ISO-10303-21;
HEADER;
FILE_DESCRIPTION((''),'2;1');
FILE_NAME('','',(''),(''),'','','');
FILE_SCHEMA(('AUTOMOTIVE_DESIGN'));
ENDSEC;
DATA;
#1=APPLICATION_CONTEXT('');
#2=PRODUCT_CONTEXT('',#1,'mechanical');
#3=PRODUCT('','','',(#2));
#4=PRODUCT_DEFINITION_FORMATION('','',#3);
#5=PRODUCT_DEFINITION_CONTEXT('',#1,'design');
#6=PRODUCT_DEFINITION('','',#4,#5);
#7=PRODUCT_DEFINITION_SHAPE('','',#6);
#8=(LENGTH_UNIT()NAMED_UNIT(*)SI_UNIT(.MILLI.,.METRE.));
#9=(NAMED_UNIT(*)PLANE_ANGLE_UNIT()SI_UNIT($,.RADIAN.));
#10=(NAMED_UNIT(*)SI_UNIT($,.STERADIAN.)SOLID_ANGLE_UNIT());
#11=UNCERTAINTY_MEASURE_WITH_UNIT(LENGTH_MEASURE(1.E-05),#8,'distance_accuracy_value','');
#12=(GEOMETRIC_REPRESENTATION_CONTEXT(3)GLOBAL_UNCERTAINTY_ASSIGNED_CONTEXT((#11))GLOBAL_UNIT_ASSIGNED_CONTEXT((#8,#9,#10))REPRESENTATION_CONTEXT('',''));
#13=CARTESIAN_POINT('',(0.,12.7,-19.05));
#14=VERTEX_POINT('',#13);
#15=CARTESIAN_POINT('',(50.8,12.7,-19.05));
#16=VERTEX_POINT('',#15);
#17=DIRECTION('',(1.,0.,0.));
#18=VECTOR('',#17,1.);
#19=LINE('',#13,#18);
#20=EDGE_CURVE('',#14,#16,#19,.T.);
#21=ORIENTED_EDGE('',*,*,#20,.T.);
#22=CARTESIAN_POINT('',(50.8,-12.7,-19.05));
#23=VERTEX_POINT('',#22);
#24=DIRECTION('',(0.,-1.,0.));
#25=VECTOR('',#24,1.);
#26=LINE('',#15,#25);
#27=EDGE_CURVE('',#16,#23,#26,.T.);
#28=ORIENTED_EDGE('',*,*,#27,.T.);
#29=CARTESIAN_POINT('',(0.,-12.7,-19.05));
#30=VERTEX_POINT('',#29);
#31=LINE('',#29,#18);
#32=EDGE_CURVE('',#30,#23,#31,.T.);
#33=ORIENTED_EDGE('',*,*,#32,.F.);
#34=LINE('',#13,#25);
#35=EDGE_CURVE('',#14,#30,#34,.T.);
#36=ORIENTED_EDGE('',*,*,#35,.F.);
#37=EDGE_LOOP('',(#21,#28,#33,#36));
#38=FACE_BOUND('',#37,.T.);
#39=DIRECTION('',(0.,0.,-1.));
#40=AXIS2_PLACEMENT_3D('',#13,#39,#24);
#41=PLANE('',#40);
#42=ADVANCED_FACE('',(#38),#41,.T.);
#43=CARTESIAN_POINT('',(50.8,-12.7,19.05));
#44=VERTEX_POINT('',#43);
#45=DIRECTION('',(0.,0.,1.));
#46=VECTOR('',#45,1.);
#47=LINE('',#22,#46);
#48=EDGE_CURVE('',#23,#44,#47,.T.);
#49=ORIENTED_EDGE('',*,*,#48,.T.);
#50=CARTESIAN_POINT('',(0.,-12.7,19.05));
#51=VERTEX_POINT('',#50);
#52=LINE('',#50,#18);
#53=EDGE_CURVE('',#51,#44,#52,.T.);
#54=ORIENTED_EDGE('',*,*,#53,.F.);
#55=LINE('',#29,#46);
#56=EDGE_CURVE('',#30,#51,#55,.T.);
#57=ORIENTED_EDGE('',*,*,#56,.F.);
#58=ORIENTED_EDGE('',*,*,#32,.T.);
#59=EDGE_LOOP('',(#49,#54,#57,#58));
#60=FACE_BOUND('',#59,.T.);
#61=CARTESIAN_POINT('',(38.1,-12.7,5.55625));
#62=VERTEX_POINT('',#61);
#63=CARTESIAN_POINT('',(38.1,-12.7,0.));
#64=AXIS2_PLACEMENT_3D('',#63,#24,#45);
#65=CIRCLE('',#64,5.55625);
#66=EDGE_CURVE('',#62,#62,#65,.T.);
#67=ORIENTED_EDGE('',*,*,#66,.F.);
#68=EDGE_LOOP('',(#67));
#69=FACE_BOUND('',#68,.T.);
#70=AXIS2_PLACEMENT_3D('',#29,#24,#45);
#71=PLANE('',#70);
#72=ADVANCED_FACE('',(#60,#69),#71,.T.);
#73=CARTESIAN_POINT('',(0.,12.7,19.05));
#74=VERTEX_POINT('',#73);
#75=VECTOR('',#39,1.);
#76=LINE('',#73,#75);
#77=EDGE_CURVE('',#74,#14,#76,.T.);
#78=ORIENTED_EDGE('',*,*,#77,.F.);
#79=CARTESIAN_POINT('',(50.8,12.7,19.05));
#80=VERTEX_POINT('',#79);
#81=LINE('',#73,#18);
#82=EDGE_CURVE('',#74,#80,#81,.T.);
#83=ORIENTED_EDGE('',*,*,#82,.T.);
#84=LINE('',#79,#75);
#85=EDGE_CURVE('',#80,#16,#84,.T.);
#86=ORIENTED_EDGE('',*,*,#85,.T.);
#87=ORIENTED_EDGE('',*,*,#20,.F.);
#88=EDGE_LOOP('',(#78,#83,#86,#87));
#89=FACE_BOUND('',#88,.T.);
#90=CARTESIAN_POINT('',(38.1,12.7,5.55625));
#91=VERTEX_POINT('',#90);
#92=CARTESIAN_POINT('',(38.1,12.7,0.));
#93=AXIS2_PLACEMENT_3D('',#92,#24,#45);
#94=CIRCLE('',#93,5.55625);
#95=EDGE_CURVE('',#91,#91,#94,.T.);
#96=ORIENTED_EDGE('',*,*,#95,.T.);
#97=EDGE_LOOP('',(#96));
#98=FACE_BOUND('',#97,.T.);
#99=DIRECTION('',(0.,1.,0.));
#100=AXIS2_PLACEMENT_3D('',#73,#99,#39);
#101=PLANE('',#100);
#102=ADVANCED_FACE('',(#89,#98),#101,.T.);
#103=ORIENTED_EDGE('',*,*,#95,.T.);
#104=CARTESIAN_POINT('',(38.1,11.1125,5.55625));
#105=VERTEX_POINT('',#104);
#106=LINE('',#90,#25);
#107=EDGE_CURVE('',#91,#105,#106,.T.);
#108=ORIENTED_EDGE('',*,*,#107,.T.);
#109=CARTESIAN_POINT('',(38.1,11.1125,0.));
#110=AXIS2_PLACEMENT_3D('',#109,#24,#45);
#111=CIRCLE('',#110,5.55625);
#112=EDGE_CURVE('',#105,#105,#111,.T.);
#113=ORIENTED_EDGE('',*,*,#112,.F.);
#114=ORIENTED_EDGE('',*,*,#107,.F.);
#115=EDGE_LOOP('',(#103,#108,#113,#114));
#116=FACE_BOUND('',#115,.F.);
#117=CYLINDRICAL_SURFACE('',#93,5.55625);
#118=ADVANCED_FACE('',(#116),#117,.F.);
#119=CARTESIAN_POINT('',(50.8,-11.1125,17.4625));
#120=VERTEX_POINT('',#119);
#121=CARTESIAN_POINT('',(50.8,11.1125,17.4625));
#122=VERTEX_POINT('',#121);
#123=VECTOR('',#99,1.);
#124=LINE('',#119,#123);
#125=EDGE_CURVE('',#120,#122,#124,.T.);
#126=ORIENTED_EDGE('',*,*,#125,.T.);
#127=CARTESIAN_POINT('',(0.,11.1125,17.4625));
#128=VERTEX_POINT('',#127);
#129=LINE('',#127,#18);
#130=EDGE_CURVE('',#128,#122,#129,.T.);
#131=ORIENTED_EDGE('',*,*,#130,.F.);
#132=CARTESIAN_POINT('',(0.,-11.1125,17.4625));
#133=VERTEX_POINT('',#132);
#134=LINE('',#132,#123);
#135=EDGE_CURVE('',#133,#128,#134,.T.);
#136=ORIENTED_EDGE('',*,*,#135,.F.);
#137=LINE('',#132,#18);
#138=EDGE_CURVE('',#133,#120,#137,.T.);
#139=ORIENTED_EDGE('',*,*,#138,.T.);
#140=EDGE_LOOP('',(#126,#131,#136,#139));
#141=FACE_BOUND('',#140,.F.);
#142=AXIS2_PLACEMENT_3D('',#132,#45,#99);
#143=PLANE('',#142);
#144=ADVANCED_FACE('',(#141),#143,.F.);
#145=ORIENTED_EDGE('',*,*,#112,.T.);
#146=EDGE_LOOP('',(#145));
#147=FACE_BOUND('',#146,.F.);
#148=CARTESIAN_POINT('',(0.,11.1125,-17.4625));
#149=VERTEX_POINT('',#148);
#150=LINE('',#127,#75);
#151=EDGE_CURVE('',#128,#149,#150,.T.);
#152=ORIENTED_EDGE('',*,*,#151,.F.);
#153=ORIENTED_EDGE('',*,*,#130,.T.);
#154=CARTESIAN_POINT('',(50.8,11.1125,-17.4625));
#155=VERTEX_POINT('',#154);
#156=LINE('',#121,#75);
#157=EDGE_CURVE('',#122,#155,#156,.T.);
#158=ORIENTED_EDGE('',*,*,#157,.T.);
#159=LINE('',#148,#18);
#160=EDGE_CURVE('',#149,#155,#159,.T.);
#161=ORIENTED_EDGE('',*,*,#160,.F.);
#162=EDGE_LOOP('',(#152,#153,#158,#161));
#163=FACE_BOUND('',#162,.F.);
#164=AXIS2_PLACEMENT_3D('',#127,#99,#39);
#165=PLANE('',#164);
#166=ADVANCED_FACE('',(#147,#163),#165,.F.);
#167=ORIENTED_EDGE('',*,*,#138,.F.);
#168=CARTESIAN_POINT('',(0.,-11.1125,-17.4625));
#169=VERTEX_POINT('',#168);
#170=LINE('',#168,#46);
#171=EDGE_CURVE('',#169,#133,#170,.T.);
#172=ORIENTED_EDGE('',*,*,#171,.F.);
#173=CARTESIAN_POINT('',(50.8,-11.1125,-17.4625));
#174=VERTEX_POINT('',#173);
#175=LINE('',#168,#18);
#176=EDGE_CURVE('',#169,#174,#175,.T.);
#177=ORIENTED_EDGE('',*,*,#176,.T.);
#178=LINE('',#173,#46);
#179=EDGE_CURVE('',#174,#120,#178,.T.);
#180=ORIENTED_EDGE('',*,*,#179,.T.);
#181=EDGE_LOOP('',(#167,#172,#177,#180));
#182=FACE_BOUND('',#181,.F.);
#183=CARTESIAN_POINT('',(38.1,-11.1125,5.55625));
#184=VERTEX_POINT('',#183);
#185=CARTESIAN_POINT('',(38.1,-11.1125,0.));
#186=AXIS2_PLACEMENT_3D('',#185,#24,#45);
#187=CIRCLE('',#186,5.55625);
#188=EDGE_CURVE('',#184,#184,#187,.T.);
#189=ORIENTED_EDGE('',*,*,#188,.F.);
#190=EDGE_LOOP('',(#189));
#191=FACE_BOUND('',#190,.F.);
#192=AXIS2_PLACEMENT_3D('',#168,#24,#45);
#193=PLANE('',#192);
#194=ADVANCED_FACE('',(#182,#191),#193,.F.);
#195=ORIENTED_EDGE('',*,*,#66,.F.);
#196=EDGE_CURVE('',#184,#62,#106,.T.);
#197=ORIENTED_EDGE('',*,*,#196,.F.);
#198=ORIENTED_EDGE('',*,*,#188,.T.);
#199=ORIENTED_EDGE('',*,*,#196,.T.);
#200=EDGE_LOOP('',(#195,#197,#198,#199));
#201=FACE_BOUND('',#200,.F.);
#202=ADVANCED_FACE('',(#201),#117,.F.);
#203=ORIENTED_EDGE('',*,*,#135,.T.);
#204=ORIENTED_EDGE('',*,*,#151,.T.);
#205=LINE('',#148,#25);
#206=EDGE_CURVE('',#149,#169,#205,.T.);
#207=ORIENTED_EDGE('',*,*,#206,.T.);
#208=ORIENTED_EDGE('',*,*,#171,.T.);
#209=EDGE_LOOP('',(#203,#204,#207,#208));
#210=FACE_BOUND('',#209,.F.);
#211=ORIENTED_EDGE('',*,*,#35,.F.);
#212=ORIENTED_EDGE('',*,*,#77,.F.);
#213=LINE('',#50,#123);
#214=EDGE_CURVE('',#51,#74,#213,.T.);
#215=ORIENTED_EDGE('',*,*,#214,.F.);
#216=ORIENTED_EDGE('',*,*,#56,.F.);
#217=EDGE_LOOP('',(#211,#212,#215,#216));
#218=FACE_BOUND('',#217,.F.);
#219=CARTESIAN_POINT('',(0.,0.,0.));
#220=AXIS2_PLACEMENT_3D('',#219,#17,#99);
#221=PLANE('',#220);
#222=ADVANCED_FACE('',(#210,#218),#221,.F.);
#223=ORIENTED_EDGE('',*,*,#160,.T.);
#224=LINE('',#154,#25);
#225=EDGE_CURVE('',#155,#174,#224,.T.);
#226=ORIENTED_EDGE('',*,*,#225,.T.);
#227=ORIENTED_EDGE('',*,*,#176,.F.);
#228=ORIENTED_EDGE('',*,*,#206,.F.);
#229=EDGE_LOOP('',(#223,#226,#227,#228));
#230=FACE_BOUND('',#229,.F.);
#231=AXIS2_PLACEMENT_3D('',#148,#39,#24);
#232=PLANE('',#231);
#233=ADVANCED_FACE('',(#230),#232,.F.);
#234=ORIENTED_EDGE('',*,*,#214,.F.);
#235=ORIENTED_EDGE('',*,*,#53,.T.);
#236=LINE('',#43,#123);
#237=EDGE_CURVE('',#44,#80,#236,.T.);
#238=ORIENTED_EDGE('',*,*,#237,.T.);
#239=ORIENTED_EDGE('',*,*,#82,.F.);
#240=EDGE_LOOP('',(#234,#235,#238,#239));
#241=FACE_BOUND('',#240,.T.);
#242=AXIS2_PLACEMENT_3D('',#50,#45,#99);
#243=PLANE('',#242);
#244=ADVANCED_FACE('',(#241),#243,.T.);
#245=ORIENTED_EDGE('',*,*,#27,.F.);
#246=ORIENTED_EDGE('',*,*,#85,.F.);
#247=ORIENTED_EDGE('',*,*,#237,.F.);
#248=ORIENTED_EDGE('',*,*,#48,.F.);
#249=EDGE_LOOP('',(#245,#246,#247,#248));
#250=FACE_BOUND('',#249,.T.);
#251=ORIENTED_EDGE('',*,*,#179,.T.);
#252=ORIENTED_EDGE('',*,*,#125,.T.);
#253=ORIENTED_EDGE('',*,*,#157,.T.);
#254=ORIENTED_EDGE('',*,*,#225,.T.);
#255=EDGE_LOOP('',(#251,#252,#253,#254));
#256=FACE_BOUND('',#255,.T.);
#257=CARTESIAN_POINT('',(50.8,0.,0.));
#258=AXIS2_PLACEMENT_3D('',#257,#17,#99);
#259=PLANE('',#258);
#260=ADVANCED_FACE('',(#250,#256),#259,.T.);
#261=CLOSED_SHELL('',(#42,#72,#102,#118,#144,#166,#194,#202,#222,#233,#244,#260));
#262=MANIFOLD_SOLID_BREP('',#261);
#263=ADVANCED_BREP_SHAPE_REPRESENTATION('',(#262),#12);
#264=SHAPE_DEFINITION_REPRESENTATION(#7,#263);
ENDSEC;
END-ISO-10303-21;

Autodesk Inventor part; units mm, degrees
ref_plane "Work Plane3" through (0, 12.7, 0) normal (0, 1, 0) x (-1, 0, 0)
ref_plane "Start Plane" through (0, 0, 0) normal (1, 0, 0) x (0, 1, 0)
ref_plane "End Plane" through (50.8, 0, 0) normal (1, 0, 0) x (0, 1, 0)
sketch "Sketch" plane through (0, 0, 0) normal (1, 0, 0) x (0, 1, 0)
  line L0 (-12.7, 19.05) -> (12.7, 19.05)
  line L1 (12.7, 19.05) -> (12.7, -19.05)
  line L2 (12.7, -19.05) -> (-12.7, -19.05)
  line L3 (-12.7, -19.05) -> (-12.7, 19.05)
  line L4 (-12.7, 19.05) -> (12.7, -19.05) construction
  line L5 (12.7, 19.05) -> (-12.7, -19.05) construction
  line L6 (-11.1125, 17.4625) -> (11.1125, 17.4625)
  line L7 (11.1125, 17.4625) -> (11.1125, -17.4625)
  line L8 (11.1125, -17.4625) -> (-11.1125, -17.4625)
  line L9 (-11.1125, -17.4625) -> (-11.1125, 17.4625)
  line L10 (-11.1125, 17.4625) -> (11.1125, -17.4625) construction
  line L11 (11.1125, 17.4625) -> (-11.1125, -17.4625) construction
  point P0 (0, 0)
  dimension "d0" = 38.1
  dimension "d1" = 25.4
  dimension "d2" = 1.5875
  dimension "d3" = 1.5875
extrude "Body" add sketch "Sketch" along normal up to surface (50.8 mm away) from surface at 0
sketch "Sketch8" plane through (0, 0, 0) normal (1, 0, 0) x (0, 1, 0)
  line L0 (0, 0) -> (10, 0)
ref_plane "Work Plane6" through (0, 0, 0) normal (0, 0, -1) x (0, 1, 0)
sketch "Sketch9" plane through (0, 0, 0) normal (0, 0, -1) x (0, 1, 0)
  line L0 (-17.78, 0) -> (17.78, 0)
  line L1 (-17.78, 50.8) -> (17.78, 50.8)
  dimension "d21" = 50.8
sketch "Sketch5" plane through (0, 12.7, -19.05) normal (0, 1, 0) x (1, 0, 0)
  line L0 (0, -38.1) -> (0, 0) projected
  point P0 (0, -19.05)
  point P1 (38.1, -19.05)
  dimension "d22" = 38.1
hole "Hole2" at (38.1, 12.7, 0) direction (0, -1, 0) diameter 11.1125 end through all
equation "\"d3\" = d2"
equation "\"G_OFFSET_START\" = 0"
equation "\"G_OFFSET_END\" = 0"
equation "\"d17\" = d4 + G_OFFSET_END"
equation "\"G_L\" = d21"
equation "\"d4\" = 50.8"
properties part number "1605682847379"
